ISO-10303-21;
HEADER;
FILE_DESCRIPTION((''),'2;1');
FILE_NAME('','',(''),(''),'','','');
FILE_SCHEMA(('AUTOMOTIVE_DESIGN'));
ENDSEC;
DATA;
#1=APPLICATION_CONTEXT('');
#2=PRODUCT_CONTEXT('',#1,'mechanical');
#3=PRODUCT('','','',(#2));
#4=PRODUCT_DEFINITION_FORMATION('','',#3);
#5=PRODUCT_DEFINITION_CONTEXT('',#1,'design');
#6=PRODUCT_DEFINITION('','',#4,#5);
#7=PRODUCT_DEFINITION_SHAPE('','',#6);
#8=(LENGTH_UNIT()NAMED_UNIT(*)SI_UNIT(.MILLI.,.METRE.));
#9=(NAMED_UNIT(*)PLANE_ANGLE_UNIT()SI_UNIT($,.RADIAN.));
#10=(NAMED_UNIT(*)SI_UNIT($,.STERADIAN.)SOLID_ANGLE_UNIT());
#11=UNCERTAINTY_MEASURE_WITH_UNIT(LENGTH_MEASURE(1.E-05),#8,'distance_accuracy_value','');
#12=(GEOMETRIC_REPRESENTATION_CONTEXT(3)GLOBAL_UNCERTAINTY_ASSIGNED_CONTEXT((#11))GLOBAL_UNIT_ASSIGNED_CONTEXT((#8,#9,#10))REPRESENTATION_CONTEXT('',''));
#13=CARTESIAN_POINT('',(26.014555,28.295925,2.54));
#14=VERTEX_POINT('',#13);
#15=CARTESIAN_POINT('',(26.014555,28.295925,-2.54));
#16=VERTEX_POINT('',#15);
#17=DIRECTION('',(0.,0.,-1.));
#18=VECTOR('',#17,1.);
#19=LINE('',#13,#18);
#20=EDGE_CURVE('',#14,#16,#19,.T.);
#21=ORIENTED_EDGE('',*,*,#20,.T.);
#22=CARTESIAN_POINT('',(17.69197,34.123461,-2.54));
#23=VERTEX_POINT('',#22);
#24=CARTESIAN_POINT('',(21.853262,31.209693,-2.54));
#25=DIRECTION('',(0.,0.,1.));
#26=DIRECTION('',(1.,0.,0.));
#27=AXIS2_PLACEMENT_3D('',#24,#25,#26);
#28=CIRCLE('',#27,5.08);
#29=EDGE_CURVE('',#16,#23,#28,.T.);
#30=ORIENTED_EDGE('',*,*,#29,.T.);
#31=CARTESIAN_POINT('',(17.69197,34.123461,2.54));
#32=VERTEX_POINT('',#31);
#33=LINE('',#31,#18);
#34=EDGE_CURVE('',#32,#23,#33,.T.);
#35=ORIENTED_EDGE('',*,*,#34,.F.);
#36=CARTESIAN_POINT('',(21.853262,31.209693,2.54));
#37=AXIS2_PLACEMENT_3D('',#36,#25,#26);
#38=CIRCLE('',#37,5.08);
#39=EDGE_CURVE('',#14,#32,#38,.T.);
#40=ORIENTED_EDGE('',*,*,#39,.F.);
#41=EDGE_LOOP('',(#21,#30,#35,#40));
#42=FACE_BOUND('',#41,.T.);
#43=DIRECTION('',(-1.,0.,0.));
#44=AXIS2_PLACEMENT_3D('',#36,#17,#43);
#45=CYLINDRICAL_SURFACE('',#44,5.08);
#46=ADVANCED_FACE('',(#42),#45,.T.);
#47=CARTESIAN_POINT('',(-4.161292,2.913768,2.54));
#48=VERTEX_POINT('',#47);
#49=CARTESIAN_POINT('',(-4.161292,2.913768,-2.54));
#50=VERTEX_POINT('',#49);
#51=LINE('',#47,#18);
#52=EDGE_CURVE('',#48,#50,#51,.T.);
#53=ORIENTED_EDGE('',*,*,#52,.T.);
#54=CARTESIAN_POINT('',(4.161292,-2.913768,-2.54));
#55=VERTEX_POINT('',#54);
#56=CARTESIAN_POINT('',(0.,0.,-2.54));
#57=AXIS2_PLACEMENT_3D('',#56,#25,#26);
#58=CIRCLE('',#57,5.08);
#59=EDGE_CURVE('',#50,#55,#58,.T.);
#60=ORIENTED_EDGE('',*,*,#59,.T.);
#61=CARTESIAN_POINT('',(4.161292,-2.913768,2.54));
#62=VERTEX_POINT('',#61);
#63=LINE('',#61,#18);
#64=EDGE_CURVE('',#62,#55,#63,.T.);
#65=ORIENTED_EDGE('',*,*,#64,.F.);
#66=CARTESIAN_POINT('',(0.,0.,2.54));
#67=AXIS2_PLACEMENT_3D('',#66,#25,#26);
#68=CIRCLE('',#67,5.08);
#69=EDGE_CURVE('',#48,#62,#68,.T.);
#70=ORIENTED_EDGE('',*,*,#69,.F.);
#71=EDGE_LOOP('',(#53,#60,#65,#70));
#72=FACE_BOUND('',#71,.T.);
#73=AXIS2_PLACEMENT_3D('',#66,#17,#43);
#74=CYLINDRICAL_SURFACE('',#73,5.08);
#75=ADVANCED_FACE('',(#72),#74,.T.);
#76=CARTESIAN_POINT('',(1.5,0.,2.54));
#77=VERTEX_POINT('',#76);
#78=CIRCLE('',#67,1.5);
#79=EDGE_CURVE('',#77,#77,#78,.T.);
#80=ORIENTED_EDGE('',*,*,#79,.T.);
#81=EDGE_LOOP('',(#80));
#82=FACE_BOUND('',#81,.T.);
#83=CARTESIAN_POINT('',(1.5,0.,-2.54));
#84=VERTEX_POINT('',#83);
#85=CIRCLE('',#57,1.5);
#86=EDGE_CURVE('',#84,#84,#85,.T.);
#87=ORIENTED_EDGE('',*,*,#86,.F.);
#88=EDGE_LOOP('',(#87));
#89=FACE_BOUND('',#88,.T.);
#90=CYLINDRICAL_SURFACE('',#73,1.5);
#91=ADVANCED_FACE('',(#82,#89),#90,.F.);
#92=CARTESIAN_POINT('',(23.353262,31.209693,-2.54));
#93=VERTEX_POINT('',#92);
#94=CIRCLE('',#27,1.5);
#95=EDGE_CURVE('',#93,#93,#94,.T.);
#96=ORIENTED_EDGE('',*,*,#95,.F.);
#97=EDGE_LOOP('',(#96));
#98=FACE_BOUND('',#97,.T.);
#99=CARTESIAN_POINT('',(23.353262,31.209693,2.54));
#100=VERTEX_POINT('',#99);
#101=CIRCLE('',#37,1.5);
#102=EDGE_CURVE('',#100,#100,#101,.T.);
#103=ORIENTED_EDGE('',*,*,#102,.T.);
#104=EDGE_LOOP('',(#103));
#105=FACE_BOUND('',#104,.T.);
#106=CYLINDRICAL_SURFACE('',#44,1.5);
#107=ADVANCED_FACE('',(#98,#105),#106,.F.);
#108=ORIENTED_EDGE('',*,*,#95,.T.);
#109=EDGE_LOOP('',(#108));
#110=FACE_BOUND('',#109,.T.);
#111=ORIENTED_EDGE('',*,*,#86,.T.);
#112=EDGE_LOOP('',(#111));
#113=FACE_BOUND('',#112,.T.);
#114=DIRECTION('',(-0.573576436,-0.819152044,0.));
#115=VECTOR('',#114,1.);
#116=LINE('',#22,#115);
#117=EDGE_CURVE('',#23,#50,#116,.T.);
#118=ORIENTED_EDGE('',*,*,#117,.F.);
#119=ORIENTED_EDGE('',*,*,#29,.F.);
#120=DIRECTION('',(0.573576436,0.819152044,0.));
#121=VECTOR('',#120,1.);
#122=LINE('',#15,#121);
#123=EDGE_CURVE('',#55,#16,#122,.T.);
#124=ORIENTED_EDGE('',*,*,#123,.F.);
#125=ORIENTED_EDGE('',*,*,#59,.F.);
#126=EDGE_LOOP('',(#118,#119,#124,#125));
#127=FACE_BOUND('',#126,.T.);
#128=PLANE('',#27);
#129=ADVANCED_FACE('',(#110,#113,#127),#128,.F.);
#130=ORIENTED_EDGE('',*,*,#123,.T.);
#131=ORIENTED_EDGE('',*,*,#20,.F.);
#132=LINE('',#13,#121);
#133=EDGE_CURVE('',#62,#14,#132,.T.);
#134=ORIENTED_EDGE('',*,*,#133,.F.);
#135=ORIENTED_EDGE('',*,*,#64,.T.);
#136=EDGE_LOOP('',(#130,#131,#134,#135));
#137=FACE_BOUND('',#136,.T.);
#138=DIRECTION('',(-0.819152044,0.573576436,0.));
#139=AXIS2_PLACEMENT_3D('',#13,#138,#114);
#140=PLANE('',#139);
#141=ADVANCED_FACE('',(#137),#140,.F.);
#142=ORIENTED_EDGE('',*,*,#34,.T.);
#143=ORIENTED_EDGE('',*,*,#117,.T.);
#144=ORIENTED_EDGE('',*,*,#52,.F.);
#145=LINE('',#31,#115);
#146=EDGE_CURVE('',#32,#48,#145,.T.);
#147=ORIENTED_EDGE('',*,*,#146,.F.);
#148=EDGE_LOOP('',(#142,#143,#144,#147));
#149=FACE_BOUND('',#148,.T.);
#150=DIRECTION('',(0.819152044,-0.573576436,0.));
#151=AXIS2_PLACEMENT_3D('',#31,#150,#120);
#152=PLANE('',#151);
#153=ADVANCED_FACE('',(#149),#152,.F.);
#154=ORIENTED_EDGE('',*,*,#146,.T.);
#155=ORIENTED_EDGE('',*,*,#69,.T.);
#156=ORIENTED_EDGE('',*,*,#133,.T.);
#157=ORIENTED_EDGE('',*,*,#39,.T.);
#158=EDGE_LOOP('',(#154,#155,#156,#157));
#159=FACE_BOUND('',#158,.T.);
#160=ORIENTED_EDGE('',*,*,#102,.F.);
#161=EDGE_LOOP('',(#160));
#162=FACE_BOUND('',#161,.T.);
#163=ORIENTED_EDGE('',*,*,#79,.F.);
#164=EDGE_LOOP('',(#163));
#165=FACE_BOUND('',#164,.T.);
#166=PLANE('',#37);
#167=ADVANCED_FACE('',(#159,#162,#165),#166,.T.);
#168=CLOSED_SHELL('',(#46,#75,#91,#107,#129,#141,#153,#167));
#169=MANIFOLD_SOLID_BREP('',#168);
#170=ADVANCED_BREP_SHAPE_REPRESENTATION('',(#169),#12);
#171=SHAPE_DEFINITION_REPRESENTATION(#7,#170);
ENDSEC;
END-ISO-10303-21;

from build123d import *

# Parameters (mm, degrees)
SKETCH2_R           = 1.5
BOSS_EXTRUDE1_DEPTH = 2.54


with BuildPart() as part:
    # Sketch2 → Boss-Extrude1 (new, symmetric)
    with BuildSketch(Plane.XY):
        with BuildLine():
            Line((26.01455461, 28.295924591), (4.161292385, -2.913768297))
            ThreePointArc((4.161292385, -2.913768297), (-2.913768297, -4.161292385), (-4.161292385, 2.913768297))
            Line((-4.161292385, 2.913768297), (17.69196984, 34.123461184))
            ThreePointArc((17.69196984, 34.123461184), (24.767030522, 35.370985272), (26.01455461, 28.295924591))
        make_face()
        with Locations((21.853262225, 31.209692887)):
            Circle(SKETCH2_R, mode=Mode.SUBTRACT)
        Circle(SKETCH2_R, mode=Mode.SUBTRACT)
    extrude(amount=BOSS_EXTRUDE1_DEPTH, both=True)


solid = part.part
